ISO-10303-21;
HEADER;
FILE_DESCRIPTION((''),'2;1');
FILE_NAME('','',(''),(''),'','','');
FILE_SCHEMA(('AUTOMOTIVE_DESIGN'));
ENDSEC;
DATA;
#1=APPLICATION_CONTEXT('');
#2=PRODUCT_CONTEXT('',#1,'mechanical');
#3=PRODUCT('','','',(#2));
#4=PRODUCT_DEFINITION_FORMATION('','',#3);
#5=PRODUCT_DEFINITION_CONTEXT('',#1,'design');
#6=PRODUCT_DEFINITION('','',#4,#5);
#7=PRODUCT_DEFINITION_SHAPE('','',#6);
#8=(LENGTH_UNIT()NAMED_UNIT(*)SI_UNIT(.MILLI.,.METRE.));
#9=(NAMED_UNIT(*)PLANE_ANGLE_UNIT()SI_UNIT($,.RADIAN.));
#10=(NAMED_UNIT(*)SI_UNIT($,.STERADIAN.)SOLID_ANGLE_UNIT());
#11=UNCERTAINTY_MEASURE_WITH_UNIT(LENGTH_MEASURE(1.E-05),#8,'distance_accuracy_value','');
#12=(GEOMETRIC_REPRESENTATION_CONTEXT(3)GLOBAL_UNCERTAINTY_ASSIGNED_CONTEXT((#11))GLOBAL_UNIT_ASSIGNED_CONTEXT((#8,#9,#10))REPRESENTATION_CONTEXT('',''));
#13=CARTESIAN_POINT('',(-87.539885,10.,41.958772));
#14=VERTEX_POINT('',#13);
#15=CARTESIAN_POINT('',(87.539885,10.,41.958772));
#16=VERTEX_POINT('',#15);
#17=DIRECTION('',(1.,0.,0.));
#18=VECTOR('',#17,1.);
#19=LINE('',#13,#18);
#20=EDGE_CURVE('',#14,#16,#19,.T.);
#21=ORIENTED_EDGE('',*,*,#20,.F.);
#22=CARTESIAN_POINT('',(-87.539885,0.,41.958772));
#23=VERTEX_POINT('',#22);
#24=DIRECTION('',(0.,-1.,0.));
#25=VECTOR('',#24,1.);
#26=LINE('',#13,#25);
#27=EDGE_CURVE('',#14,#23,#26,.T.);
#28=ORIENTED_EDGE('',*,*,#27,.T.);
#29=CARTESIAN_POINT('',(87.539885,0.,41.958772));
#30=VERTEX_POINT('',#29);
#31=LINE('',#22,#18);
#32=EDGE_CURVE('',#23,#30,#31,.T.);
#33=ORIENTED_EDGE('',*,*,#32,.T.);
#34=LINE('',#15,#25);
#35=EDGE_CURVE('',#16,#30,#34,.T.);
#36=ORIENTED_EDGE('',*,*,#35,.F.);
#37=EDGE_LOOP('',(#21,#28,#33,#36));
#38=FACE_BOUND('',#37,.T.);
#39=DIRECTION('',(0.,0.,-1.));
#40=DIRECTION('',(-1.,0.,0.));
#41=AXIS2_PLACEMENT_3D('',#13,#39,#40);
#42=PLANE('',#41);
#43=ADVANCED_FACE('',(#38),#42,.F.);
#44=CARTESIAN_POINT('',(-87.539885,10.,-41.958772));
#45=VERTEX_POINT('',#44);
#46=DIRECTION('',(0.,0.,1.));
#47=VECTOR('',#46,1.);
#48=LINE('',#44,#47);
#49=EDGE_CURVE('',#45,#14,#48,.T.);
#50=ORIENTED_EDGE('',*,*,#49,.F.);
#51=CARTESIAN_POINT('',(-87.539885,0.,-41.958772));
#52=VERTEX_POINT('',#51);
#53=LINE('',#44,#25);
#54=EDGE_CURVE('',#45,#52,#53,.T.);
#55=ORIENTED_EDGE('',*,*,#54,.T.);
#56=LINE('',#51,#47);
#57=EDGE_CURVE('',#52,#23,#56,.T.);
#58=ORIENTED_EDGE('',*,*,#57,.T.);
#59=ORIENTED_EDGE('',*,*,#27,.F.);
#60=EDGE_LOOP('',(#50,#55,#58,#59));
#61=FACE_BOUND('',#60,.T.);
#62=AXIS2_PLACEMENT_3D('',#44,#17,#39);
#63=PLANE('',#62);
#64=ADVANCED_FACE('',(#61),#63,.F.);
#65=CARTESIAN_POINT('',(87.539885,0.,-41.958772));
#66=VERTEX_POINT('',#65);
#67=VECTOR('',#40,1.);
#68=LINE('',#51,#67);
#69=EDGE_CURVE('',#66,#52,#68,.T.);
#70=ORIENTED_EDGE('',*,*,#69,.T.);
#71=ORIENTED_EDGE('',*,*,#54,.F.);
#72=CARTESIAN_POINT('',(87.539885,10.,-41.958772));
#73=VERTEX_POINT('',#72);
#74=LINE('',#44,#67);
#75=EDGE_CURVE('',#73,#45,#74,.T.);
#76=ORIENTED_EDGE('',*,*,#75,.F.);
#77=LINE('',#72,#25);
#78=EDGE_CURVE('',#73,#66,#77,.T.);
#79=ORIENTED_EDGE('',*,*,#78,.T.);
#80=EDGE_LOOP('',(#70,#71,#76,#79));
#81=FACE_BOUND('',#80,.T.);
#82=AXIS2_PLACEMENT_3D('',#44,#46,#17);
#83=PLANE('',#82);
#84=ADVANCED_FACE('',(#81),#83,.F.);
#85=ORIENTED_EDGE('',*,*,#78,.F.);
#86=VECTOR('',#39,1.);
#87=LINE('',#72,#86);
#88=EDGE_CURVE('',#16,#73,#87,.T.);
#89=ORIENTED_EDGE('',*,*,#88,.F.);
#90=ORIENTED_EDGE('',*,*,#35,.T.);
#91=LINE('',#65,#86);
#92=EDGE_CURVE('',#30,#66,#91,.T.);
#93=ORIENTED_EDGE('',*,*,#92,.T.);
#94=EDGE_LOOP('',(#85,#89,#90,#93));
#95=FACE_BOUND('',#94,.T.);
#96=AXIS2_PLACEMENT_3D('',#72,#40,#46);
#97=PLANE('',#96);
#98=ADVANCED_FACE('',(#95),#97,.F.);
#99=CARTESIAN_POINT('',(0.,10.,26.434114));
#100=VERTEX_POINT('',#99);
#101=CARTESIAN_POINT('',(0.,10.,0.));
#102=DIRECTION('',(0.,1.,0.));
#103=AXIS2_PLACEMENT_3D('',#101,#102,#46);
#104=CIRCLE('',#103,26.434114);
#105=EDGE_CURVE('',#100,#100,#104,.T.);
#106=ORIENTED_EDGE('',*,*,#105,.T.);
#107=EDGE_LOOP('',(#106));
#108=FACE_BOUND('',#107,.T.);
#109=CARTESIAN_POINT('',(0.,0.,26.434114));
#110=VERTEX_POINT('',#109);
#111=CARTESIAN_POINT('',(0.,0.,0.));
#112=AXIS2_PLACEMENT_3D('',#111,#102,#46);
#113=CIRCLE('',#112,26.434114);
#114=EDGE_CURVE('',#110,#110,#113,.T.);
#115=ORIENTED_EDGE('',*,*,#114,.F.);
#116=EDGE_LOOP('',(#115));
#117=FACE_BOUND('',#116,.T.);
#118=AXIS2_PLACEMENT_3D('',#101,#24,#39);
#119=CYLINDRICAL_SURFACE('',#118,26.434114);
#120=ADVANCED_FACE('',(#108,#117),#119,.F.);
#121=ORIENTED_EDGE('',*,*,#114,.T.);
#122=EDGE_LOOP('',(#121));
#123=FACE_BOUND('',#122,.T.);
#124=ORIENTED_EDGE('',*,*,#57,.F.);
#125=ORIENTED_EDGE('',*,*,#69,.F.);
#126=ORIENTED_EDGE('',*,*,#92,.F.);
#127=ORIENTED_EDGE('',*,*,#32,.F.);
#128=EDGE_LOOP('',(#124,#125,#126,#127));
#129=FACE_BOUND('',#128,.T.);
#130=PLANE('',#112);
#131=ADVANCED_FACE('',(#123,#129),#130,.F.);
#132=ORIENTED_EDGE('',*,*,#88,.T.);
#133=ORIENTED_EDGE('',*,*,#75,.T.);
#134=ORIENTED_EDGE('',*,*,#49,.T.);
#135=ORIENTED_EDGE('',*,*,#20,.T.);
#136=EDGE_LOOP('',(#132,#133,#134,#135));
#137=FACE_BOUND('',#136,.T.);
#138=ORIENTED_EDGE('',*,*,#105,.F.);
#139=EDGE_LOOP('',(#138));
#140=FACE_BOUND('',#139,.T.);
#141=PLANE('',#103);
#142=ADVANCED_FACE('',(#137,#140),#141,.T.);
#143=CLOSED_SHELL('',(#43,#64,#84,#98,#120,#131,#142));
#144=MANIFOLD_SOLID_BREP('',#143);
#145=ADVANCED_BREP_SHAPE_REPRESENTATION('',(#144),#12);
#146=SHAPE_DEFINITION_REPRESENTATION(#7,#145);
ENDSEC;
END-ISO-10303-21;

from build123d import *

# Parameters (mm, degrees)
SKETCH2_W           = 175.079769656
SKETCH2_H           = 83.917544766
SKETCH2_R           = 26.434113908
BOSS_EXTRUDE1_DEPTH = 10


with BuildPart() as part:
    # Sketch2 → Boss-Extrude1 (new body)
    with BuildSketch(Plane(origin=(0, 0, 0), x_dir=(1, 0, 0), z_dir=(0, 1, 0))):
        Rectangle(SKETCH2_W, SKETCH2_H)
        with Locations(Location((0, 0, 0), (0, 0, 270))):
            Circle(SKETCH2_R, mode=Mode.SUBTRACT)
    extrude(amount=BOSS_EXTRUDE1_DEPTH)


solid = part.part
